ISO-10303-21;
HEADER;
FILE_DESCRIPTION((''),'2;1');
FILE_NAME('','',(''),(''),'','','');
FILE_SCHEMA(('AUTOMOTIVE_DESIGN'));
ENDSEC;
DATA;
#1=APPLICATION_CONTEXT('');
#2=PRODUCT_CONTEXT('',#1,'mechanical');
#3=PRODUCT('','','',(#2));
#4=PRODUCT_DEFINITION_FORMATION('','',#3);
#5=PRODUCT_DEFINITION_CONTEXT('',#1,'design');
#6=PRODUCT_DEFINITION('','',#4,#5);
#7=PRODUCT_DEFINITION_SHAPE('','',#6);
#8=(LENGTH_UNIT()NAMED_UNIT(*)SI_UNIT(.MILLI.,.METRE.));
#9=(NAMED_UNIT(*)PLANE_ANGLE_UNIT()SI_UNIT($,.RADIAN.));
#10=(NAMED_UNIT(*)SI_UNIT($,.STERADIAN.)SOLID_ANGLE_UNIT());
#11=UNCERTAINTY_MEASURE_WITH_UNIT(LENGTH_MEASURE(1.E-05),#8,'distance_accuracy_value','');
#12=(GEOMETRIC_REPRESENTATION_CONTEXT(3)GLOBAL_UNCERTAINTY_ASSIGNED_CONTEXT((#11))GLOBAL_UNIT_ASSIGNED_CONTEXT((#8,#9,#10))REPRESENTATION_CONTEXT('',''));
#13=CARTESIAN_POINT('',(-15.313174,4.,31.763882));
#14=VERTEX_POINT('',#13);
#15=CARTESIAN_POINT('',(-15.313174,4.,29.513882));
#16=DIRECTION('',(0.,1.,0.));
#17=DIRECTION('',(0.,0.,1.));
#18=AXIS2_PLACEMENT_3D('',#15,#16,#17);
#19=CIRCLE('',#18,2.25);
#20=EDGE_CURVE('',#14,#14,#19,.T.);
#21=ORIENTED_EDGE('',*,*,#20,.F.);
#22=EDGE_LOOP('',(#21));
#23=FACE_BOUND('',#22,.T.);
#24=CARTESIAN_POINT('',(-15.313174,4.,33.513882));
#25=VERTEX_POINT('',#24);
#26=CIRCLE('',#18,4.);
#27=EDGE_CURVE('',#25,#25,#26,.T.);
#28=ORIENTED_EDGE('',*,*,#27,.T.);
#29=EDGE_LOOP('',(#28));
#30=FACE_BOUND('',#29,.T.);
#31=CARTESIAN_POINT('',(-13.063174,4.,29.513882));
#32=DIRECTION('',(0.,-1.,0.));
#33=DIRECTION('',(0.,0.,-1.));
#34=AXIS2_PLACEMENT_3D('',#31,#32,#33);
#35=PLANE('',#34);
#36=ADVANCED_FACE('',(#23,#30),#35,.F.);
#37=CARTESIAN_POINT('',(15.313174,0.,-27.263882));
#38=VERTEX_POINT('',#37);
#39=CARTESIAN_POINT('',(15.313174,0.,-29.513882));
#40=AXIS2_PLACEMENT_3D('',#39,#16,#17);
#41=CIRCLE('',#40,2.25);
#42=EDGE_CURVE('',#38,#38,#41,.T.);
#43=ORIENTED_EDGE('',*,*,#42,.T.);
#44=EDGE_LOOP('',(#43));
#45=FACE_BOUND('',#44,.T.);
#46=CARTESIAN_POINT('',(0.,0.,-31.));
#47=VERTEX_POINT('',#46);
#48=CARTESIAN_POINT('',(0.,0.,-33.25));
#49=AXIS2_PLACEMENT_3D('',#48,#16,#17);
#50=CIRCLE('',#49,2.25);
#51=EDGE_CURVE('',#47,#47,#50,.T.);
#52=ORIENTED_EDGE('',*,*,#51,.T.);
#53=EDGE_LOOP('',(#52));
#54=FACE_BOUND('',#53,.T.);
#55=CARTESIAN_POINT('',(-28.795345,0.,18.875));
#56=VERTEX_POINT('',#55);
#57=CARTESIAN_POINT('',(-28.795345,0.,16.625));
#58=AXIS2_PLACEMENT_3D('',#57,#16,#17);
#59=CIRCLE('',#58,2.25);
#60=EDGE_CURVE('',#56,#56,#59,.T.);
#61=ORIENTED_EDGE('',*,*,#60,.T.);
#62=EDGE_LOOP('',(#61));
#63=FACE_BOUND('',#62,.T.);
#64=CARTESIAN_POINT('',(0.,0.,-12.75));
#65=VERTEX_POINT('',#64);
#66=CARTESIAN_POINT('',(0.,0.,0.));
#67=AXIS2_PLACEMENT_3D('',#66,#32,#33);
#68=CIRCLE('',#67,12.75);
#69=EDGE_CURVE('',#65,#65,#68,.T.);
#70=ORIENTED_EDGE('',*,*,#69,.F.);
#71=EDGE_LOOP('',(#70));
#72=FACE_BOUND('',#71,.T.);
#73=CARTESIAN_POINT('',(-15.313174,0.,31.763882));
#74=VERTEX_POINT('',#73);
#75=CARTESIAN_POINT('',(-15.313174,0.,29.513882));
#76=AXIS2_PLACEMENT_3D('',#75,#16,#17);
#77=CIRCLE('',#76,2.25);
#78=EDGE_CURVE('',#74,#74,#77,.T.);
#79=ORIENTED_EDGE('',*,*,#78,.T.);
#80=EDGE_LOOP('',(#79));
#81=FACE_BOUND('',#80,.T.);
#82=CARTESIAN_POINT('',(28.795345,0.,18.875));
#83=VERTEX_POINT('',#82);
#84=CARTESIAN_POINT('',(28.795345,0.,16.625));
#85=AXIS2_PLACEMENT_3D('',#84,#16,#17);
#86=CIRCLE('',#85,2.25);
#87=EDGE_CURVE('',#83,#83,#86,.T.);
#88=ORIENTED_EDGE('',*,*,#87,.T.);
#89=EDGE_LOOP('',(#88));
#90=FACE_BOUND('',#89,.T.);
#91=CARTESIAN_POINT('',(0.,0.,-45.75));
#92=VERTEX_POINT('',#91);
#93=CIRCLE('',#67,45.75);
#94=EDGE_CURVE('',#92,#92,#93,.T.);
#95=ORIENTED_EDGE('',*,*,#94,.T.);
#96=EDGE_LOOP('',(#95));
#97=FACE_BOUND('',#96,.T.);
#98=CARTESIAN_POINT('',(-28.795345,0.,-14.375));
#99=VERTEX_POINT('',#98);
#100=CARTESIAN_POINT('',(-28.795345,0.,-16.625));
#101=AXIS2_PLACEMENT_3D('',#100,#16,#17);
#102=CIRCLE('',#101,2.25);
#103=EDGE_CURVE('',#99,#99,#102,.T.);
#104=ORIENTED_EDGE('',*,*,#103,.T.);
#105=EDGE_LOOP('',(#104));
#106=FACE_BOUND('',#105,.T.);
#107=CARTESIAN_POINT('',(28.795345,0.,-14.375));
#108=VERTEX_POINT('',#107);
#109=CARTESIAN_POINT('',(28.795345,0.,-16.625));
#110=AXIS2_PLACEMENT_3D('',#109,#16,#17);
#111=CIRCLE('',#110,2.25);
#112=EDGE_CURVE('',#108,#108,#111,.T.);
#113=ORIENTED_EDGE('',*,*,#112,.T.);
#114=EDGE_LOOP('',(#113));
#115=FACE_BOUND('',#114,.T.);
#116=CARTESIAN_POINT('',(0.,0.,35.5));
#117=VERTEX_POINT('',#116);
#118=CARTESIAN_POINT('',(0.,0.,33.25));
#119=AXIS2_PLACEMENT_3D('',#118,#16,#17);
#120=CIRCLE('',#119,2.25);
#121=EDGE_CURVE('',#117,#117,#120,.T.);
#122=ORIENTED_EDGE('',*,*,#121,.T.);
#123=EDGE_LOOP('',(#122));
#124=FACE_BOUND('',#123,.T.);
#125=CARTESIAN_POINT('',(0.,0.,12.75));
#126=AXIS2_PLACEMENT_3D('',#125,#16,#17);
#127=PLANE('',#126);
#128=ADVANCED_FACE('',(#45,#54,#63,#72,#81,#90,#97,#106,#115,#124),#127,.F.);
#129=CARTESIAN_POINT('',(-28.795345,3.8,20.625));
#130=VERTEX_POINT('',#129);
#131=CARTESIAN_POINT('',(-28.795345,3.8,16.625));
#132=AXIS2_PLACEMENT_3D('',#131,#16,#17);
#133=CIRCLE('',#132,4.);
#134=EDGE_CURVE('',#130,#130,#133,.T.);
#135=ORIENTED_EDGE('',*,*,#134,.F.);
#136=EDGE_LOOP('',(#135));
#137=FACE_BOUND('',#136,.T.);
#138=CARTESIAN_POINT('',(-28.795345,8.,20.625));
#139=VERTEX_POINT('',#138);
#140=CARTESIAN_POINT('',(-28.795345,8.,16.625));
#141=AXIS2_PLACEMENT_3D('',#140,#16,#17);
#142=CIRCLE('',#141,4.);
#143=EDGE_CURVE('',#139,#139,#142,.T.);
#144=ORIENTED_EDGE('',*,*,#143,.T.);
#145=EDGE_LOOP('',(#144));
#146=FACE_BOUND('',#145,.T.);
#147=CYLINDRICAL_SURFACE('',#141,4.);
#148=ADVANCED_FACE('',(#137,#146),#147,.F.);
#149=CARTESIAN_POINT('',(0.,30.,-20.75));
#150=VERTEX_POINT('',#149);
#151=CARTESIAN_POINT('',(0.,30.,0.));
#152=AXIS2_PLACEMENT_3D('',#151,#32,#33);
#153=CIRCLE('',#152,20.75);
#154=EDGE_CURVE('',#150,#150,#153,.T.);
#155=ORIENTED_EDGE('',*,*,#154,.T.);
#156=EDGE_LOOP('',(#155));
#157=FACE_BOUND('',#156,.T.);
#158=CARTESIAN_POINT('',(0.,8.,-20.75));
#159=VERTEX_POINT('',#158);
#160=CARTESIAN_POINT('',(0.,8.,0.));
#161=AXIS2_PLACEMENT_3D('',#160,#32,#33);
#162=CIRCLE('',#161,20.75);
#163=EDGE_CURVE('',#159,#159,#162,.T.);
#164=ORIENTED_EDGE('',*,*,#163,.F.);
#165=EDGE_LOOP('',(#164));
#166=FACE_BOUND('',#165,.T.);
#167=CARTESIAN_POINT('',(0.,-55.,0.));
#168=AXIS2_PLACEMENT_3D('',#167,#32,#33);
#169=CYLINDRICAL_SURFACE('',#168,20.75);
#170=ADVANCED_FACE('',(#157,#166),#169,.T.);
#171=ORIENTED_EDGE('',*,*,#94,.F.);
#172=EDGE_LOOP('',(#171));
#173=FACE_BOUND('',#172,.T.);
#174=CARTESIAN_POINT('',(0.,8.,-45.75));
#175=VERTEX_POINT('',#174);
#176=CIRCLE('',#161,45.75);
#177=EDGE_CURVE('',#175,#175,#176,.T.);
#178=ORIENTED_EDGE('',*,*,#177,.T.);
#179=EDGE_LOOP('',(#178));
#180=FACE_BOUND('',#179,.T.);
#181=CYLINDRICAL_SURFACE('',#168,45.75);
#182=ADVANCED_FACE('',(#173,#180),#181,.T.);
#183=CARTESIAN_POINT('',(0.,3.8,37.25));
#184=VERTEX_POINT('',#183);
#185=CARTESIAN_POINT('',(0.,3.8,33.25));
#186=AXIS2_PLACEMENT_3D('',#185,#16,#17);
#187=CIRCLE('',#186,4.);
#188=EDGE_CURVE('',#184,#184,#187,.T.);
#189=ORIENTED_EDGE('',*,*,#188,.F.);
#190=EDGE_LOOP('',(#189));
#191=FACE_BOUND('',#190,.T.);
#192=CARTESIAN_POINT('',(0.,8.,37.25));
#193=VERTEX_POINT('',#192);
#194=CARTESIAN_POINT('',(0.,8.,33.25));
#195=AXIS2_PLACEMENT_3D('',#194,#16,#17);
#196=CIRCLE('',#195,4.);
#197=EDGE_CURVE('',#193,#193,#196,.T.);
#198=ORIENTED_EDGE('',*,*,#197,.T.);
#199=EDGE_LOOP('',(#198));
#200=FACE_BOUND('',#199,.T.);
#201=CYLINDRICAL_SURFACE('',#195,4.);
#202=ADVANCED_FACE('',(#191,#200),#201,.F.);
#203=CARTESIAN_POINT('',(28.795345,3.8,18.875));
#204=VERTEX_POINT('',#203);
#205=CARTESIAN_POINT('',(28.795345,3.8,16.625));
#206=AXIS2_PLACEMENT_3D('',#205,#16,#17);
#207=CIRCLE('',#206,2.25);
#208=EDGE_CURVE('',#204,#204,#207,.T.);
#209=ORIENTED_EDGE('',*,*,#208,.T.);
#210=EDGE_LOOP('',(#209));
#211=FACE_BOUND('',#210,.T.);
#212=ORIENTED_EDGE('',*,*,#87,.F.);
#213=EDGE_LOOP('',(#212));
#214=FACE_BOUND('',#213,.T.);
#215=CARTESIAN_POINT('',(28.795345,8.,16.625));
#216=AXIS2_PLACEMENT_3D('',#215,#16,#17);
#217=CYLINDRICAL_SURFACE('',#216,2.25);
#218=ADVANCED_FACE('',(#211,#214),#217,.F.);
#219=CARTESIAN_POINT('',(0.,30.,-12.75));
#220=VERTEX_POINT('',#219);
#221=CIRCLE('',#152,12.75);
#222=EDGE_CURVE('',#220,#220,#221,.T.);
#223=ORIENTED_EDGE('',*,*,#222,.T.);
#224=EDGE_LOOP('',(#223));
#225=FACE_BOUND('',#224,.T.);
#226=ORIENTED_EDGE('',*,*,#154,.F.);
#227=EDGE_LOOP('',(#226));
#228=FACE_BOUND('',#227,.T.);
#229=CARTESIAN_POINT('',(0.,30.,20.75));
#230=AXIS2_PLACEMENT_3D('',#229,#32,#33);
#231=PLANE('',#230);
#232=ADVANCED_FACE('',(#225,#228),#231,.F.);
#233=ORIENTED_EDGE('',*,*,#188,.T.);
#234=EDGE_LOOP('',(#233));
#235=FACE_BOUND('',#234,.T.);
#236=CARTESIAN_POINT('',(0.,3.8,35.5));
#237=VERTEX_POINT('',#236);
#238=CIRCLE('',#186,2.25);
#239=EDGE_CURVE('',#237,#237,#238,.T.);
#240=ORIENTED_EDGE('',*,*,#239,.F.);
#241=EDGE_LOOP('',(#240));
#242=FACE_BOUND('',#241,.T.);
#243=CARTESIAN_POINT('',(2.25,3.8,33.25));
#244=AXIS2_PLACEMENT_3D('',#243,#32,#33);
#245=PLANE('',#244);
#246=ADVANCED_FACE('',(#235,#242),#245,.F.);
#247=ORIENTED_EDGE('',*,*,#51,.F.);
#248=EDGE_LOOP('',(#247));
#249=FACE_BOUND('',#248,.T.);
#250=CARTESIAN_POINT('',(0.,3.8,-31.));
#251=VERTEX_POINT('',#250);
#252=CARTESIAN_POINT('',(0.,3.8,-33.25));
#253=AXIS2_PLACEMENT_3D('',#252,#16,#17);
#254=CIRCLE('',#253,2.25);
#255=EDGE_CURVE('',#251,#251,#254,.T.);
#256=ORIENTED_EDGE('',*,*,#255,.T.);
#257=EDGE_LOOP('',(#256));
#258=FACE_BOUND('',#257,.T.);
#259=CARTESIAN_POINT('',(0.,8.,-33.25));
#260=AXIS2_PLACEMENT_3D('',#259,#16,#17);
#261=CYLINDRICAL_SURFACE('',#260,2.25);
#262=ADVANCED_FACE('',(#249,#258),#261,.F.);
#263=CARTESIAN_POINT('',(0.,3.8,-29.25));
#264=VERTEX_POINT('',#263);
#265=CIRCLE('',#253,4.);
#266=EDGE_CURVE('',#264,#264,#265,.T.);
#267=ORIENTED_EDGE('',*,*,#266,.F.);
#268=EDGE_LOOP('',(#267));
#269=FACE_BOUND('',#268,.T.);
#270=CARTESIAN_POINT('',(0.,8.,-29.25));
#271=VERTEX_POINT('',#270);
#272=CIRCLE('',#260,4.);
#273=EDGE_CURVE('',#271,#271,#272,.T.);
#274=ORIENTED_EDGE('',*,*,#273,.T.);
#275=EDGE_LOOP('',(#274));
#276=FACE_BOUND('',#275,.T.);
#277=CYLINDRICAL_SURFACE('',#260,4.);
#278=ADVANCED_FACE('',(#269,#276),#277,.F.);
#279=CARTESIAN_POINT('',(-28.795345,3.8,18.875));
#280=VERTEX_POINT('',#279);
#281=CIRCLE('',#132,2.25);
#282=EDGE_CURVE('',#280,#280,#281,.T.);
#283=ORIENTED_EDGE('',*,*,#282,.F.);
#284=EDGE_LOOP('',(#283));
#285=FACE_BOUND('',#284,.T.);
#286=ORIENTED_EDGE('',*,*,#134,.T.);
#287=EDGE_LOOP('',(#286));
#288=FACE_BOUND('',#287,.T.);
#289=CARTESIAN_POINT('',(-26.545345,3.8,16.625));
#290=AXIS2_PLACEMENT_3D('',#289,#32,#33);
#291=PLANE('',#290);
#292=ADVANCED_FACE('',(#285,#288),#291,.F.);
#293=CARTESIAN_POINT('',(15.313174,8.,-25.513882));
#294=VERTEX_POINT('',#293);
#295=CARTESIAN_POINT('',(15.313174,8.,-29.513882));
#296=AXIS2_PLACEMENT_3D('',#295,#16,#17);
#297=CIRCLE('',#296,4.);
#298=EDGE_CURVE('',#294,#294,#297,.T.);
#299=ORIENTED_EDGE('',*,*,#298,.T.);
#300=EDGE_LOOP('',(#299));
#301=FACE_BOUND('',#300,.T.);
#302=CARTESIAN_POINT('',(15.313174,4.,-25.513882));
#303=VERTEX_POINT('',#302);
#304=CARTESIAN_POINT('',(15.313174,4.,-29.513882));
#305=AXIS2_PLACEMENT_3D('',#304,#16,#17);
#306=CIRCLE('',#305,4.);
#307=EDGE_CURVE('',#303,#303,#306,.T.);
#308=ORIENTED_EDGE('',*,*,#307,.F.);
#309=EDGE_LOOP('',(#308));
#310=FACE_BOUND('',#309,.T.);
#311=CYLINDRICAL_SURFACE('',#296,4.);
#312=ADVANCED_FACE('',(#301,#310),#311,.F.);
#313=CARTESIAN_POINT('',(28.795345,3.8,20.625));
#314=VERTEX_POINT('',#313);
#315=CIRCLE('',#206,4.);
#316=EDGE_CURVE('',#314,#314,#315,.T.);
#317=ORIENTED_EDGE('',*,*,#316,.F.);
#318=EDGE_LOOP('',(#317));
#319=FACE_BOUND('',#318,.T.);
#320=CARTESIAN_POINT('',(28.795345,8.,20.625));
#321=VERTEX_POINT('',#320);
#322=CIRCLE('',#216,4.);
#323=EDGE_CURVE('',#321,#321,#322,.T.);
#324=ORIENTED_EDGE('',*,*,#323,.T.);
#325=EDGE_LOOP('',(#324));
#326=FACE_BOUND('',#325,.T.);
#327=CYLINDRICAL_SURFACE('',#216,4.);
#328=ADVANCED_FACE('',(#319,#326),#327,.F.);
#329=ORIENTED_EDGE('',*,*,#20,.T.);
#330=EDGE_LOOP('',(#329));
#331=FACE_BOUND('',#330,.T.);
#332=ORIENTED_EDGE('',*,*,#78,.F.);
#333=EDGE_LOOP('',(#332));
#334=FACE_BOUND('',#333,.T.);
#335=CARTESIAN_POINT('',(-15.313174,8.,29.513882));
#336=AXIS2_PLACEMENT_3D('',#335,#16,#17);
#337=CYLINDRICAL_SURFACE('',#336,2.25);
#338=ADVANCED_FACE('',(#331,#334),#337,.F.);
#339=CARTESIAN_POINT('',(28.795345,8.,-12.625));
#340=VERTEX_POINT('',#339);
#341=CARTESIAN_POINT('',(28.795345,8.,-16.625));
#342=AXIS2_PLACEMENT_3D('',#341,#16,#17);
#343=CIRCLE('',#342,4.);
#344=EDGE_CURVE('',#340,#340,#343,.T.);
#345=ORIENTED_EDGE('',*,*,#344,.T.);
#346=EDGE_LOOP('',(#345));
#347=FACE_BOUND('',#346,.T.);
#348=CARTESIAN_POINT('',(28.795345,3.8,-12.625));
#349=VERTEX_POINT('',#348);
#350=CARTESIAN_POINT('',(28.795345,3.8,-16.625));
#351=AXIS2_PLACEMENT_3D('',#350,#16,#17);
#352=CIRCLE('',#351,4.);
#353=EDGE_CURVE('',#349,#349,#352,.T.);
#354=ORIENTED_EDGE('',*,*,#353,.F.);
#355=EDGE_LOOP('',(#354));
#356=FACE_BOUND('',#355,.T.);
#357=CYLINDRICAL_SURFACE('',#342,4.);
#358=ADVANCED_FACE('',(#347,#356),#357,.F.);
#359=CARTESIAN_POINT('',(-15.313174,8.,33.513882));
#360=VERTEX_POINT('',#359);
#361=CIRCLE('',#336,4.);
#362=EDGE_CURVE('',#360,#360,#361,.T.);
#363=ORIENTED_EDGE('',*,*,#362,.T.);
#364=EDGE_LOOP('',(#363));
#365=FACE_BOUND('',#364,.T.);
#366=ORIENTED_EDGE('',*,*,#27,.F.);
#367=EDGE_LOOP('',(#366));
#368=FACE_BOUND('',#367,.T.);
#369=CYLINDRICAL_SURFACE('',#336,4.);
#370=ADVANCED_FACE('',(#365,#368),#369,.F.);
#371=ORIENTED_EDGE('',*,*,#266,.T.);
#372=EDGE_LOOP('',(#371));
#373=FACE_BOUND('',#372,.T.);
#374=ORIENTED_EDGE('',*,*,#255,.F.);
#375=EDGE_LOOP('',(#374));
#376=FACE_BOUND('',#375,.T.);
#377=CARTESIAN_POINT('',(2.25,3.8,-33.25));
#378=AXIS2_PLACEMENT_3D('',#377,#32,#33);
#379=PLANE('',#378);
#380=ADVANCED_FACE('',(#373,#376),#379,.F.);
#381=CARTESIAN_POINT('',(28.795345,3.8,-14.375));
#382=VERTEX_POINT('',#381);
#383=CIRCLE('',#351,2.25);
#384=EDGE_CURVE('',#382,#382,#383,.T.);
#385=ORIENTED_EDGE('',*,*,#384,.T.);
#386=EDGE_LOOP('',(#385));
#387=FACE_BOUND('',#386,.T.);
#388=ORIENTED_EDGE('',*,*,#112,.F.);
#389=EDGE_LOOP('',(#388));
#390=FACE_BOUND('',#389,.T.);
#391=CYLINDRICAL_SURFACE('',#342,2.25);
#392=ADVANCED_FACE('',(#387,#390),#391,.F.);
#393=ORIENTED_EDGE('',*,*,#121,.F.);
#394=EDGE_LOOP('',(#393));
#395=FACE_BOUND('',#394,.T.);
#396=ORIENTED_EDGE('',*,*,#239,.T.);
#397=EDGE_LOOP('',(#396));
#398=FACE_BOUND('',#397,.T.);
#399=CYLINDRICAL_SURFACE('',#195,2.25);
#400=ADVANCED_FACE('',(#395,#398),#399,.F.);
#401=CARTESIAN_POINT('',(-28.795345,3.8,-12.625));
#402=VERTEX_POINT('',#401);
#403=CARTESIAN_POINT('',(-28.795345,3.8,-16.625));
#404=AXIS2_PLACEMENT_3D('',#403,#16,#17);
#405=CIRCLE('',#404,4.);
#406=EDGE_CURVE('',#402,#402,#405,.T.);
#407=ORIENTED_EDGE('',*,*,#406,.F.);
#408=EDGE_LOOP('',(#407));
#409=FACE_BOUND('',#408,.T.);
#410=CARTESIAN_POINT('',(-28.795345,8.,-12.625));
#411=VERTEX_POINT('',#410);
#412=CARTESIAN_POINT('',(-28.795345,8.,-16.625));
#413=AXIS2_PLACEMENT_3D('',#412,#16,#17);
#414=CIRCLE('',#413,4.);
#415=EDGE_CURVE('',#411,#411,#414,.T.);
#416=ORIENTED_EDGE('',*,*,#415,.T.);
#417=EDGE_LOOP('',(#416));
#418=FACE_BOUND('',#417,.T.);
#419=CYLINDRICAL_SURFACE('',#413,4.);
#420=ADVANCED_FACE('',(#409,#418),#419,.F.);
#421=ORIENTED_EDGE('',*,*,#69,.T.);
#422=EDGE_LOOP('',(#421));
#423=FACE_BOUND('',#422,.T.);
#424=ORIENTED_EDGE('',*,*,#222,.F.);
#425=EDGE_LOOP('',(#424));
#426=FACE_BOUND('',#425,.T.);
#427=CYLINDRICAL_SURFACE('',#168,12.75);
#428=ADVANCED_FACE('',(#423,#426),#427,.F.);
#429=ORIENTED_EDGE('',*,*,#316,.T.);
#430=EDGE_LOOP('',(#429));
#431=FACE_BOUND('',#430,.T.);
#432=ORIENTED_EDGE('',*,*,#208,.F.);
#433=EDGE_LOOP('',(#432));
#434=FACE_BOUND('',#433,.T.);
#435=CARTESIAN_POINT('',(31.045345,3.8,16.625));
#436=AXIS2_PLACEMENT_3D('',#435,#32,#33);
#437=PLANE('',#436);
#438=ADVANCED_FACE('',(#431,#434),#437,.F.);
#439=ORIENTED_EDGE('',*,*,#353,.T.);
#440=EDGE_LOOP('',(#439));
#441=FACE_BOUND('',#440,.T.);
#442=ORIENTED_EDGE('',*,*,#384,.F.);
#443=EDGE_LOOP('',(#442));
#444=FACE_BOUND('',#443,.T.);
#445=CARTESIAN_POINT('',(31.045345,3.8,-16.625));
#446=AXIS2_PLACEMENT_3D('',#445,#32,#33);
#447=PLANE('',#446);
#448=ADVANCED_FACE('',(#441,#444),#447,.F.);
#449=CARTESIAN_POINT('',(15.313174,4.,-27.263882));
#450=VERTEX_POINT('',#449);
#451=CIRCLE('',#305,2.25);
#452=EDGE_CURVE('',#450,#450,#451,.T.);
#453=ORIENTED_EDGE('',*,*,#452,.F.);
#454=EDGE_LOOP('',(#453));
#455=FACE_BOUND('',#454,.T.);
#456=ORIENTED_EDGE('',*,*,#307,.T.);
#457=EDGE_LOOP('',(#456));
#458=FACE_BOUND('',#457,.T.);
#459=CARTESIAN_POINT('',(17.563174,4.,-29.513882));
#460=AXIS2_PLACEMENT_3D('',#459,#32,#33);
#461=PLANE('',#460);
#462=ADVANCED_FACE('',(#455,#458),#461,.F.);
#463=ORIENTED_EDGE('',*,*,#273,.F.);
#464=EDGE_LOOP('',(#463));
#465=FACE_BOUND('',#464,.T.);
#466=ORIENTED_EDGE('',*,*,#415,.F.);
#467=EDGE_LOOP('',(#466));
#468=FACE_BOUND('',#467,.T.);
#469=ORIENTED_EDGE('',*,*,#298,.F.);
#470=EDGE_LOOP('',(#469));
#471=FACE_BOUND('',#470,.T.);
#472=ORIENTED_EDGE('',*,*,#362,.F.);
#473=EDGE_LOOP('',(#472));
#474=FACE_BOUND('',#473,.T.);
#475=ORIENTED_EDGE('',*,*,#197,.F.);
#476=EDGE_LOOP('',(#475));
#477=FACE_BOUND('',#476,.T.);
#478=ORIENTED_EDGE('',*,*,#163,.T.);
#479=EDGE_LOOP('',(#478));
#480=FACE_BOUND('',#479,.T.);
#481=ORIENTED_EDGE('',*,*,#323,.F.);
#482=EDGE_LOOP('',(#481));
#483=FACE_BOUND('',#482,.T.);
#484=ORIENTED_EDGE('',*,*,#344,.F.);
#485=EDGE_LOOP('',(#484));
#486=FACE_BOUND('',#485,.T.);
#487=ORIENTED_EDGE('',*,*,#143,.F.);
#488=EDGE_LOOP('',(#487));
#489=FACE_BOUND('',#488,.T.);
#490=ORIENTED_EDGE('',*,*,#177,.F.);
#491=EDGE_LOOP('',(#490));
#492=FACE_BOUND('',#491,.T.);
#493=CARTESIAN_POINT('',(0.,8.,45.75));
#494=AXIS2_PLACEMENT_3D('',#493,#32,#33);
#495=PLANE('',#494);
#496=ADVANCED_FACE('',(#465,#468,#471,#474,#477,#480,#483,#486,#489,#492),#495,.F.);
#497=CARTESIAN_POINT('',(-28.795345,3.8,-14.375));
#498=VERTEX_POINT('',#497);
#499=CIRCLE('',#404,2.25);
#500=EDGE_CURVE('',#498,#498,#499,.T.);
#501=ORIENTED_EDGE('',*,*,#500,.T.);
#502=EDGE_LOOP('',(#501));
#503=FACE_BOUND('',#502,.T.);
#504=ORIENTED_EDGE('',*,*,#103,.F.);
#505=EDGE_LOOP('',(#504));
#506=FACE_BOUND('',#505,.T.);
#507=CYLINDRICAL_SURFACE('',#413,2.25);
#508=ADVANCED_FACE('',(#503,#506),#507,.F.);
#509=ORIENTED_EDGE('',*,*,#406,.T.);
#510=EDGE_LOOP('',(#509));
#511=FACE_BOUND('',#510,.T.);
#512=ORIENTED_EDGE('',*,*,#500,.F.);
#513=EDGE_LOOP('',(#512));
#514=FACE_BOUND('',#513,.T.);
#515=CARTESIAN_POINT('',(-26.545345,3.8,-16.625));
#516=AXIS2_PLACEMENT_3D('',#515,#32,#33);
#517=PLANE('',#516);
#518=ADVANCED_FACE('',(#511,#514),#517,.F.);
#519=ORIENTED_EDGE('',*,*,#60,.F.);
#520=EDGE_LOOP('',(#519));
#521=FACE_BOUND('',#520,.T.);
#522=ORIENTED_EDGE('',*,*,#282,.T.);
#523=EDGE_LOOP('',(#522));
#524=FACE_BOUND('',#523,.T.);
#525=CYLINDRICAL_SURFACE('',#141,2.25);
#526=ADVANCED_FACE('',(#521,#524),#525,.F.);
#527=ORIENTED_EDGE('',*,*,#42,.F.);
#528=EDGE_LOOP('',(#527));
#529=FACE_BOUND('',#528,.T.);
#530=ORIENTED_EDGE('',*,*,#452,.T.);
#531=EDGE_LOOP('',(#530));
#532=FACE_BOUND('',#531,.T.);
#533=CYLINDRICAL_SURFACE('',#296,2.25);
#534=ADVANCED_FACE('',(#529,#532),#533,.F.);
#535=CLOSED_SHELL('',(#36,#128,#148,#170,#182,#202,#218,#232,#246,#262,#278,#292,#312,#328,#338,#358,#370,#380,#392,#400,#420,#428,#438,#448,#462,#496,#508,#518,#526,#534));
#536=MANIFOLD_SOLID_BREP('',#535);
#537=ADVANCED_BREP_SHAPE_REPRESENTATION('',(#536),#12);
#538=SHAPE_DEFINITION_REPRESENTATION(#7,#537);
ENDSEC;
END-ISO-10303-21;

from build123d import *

# Parameters (mm, degrees)
CBORE_FOR_M4_SHCS3_D           = 4.5
CBORE_FOR_M4_SHCS3_CBORE_D     = 8
CBORE_FOR_M4_SHCS3_CBORE_DEPTH = 4.2
CBORE_FOR_M4_SHCS4_D           = 4.5
CBORE_FOR_M4_SHCS4_CBORE_D     = 8
CBORE_FOR_M4_SHCS4_CBORE_DEPTH = 4


with BuildPart() as part:
    # Sketch1 → Revolve1 (revolve)
    with BuildSketch(Plane(origin=(0, 0, 0), x_dir=(0, 0, -1), z_dir=(1, 0, 0)), mode=Mode.PRIVATE) as revolve1_sk:
        Polygon((-12.75, 0), (-45.75, 0), (-45.75, 8), (-20.75, 8), (-20.75, 30), (-12.75, 30), align=None)
    revolve(revolve1_sk.sketch.rotate(Axis((0, -55, 0), (0, 1, 0)), 180), axis=Axis((0, -55, 0), (0, 1, 0)))

    # CBORE for M4 SHCS3 (through all)
    with Locations(Plane(origin=(0, 8, 0), x_dir=(1, 0, 0), z_dir=(0, 1, 0))):
        with Locations((0, 33.25), (28.795344676, 16.625), (28.795344676, -16.625), (0, -33.25), (-28.795344676, -16.625), (-28.795344676, 16.625)):
            CounterBoreHole(CBORE_FOR_M4_SHCS3_D / 2, CBORE_FOR_M4_SHCS3_CBORE_D / 2, CBORE_FOR_M4_SHCS3_CBORE_DEPTH)

    # CBORE for M4 SHCS4 (through all)
    with Locations(Plane(origin=(0, 8, 0), x_dir=(1, 0, 0), z_dir=(0, 1, 0))):
        with Locations((15.313173529, 29.513881759), (-15.313173529, -29.513881759)):
            CounterBoreHole(CBORE_FOR_M4_SHCS4_D / 2, CBORE_FOR_M4_SHCS4_CBORE_D / 2, CBORE_FOR_M4_SHCS4_CBORE_DEPTH)


solid = part.part
